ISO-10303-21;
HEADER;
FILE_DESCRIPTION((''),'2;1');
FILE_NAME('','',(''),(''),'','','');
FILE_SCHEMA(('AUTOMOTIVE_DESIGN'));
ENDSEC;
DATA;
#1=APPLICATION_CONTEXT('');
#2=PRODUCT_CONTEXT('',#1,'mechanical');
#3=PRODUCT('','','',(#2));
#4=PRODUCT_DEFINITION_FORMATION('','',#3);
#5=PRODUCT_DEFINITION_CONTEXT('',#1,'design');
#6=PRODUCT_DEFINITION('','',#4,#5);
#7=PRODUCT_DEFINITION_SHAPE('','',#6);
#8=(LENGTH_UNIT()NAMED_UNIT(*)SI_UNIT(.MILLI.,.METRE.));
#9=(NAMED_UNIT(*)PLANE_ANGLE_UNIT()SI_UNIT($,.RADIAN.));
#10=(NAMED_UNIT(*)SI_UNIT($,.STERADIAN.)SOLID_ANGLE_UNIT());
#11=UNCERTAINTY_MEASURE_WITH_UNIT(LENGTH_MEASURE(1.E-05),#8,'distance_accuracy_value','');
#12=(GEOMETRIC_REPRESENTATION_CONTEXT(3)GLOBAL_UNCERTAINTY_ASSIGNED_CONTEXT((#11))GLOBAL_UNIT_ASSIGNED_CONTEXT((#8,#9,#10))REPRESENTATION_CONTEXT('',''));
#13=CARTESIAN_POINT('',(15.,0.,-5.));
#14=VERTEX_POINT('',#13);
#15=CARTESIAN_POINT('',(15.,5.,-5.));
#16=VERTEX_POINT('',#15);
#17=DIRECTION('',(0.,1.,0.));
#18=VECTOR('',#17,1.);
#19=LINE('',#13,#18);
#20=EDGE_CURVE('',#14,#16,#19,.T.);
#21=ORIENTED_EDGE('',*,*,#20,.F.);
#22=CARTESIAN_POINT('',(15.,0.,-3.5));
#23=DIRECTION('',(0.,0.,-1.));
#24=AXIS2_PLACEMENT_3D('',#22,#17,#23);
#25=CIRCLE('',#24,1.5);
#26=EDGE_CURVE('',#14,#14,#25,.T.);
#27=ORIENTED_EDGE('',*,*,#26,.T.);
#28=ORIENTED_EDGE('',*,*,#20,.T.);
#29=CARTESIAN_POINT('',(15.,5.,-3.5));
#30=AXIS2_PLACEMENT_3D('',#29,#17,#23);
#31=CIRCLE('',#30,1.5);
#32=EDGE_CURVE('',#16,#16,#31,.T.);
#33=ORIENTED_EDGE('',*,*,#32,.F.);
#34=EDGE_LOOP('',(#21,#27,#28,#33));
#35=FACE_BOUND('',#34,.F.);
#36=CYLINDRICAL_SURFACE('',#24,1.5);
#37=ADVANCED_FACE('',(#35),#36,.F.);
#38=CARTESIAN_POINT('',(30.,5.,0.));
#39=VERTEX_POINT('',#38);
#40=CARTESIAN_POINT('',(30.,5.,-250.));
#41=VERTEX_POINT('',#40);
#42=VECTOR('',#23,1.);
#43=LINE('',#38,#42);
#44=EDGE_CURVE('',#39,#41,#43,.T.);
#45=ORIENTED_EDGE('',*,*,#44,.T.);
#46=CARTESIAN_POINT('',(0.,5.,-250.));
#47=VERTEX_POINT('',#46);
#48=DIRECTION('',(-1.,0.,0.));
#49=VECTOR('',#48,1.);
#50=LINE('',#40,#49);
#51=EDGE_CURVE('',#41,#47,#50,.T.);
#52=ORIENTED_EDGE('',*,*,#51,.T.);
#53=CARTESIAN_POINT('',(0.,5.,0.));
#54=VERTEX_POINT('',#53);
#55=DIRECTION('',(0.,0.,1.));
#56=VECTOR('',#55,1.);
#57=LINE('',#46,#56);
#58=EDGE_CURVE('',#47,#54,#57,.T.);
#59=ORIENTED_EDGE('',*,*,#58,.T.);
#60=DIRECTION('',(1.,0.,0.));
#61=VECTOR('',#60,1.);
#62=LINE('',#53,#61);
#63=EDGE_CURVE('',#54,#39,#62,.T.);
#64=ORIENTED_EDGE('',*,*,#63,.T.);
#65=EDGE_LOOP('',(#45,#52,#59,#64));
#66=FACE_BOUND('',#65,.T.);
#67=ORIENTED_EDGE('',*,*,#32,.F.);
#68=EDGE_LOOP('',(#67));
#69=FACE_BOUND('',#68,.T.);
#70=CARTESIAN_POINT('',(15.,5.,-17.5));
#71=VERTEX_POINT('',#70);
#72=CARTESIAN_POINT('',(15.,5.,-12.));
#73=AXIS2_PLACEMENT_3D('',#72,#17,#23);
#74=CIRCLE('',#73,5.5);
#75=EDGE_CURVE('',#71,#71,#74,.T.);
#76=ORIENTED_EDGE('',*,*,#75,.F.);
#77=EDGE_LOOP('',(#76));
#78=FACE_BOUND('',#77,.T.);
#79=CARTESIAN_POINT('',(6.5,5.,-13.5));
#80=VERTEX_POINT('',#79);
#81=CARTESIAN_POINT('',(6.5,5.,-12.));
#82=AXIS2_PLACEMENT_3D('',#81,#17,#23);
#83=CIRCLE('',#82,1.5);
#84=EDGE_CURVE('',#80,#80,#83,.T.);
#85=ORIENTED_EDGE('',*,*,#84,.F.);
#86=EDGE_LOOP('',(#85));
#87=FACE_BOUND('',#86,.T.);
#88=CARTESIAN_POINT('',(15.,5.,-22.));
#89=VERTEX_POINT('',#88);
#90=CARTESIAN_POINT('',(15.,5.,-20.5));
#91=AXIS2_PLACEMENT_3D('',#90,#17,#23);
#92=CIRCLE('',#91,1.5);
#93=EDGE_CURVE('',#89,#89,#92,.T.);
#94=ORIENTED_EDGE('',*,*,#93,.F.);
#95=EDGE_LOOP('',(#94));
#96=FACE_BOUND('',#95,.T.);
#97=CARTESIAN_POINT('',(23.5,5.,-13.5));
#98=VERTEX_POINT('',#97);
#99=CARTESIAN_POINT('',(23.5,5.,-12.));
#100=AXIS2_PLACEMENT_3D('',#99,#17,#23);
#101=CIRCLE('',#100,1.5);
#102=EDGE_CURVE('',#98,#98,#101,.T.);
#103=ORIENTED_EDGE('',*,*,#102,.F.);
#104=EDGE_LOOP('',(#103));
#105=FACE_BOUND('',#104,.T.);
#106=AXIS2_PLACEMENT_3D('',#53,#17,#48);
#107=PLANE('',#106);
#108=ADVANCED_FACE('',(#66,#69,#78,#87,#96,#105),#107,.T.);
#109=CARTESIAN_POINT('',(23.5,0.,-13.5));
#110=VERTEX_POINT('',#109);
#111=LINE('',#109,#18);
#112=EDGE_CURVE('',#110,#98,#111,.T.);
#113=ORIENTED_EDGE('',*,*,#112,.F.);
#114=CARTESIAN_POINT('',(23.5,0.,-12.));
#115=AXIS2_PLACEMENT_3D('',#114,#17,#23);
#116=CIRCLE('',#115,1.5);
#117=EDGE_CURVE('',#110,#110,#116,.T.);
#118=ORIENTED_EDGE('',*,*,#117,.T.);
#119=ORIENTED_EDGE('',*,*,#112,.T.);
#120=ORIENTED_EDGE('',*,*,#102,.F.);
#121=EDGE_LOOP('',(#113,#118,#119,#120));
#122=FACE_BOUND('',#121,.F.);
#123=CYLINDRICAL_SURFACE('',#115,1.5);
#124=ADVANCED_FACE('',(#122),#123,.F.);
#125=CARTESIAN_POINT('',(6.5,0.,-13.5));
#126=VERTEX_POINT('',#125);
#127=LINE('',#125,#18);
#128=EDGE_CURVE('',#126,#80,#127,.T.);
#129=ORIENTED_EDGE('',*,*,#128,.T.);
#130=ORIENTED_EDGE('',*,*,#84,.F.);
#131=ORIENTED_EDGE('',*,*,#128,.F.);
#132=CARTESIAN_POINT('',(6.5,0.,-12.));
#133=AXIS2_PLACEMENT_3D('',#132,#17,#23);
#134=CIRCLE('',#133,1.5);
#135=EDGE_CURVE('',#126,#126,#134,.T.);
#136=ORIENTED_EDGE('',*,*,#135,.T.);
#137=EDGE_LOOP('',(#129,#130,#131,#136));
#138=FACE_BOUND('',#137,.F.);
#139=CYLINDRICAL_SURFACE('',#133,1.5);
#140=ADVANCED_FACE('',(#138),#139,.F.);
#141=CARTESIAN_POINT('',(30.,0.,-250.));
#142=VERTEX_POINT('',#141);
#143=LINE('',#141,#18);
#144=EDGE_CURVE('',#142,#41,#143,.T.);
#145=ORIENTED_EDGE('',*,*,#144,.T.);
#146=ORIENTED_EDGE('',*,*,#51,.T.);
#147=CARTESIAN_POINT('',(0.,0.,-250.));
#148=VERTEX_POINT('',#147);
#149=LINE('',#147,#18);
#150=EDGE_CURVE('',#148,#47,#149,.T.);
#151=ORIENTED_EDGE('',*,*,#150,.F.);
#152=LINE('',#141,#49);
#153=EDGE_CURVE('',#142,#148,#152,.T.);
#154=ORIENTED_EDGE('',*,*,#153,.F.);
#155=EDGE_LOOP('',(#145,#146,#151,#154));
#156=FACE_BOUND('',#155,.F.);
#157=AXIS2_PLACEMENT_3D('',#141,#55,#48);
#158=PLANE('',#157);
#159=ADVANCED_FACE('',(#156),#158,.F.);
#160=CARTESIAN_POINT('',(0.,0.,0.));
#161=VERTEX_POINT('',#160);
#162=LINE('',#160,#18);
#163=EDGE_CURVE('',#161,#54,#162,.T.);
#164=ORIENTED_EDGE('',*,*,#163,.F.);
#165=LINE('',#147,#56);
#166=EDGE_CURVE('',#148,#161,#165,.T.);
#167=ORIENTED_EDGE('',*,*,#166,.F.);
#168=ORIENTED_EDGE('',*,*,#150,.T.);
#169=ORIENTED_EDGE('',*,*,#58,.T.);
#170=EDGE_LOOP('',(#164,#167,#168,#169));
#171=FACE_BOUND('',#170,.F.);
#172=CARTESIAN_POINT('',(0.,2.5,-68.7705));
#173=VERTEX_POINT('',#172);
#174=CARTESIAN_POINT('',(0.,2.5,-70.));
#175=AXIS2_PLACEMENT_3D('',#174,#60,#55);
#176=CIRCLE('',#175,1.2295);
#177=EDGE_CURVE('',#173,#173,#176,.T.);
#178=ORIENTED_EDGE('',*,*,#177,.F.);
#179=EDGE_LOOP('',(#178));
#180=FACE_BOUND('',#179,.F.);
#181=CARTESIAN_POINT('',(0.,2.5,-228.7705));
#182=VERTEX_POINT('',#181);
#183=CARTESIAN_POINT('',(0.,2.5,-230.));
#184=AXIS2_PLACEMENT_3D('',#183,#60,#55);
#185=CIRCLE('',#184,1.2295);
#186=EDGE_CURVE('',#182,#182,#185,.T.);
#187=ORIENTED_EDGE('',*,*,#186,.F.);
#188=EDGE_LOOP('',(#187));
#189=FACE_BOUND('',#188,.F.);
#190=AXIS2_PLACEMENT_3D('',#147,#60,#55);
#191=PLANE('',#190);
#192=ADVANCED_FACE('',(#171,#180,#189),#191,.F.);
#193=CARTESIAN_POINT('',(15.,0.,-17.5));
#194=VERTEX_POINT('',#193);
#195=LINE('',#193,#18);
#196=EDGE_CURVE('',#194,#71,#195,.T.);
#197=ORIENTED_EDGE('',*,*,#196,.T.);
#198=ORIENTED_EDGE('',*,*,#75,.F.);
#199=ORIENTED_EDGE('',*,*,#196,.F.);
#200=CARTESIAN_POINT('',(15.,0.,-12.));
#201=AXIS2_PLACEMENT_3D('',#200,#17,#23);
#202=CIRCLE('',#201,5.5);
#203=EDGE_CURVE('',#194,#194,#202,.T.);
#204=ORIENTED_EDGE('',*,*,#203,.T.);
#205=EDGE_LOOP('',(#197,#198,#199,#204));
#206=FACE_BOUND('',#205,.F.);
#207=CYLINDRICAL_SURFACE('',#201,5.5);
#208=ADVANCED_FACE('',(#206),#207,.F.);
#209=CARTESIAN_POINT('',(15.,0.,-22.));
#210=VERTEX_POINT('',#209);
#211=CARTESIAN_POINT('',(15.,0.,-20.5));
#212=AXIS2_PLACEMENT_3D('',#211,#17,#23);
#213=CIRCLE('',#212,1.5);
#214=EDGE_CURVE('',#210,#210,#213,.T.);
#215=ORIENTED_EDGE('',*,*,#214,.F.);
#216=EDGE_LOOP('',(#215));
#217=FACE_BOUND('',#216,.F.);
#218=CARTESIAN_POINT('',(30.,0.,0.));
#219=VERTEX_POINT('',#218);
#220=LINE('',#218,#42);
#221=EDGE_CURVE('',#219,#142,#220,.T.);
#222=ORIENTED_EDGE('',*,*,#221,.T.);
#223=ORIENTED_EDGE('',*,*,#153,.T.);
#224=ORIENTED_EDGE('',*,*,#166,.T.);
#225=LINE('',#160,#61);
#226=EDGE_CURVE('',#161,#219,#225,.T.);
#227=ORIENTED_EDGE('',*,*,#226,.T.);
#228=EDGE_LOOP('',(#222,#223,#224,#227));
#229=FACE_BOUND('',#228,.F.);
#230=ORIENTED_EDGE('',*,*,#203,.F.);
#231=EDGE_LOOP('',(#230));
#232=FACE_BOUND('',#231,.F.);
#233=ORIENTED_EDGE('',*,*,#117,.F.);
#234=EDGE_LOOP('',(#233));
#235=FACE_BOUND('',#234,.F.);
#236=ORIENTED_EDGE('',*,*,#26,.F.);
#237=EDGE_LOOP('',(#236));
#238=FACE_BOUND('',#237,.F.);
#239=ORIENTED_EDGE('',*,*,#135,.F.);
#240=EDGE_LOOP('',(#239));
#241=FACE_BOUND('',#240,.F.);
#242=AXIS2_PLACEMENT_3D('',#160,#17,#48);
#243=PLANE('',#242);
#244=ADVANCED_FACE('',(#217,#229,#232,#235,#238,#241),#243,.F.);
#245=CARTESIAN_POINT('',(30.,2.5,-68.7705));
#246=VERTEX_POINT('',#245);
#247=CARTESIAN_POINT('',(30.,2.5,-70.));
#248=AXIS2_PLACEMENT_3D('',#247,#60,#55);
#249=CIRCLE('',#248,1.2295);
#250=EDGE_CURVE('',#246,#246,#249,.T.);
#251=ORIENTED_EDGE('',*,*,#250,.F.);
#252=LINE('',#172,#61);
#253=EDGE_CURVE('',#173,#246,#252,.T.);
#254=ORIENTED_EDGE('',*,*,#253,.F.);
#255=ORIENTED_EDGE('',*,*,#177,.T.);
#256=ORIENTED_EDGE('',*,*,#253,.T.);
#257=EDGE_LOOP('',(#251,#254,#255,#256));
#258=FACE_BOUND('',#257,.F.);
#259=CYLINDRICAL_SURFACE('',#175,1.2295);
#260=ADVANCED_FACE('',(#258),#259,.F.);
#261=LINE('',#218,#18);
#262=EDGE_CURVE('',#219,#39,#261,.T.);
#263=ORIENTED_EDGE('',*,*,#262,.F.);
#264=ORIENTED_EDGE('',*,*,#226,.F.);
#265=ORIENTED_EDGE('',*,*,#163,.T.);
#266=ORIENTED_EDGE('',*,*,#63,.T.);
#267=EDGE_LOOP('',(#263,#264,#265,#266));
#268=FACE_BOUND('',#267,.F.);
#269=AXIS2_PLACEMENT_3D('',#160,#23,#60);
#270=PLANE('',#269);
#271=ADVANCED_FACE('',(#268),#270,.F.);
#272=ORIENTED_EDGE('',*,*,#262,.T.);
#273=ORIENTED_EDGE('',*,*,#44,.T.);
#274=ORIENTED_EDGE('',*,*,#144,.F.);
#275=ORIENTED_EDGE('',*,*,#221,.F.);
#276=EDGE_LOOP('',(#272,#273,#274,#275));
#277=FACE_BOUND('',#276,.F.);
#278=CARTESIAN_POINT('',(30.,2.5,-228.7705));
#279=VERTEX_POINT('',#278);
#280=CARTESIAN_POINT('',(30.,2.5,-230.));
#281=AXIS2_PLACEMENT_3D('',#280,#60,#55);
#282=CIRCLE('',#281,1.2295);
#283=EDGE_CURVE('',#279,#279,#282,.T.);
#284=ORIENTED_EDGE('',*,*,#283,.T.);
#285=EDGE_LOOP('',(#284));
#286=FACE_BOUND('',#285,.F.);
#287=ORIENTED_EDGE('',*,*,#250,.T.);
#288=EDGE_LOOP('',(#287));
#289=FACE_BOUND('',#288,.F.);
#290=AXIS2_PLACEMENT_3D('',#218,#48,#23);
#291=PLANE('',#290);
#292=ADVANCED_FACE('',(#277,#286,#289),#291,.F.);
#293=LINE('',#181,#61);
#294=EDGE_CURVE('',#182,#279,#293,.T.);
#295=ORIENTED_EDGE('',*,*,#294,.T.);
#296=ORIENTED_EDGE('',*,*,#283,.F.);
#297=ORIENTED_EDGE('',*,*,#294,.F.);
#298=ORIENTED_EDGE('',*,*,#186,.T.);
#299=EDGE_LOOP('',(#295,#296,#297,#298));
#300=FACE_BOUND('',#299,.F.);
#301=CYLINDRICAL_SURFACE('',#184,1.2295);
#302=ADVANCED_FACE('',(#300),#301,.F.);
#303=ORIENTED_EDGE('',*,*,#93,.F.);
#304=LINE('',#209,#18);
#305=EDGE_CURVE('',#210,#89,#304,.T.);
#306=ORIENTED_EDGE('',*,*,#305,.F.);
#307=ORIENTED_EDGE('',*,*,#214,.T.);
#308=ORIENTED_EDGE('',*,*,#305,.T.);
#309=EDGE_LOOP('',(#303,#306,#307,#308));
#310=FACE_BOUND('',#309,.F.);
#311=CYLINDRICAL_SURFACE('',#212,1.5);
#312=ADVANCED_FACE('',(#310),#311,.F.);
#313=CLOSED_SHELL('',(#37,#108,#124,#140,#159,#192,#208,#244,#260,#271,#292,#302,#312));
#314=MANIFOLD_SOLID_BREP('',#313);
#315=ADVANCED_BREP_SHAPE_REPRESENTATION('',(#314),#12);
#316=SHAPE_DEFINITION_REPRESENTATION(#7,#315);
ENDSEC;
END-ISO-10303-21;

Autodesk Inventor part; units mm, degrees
ref_plane "YZ Plane" through (0, 0, 0) normal (1, 0, 0) x (0, 1, 0)
ref_plane "XZ Plane" through (0, 0, 0) normal (0, 1, 0) x (-1, 0, 0)
ref_plane "XY Plane" through (0, 0, 0) normal (0, 0, 1) x (1, 0, 0)
sketch "スケッチ1" plane through (0, 0, 0) normal (0, 1, 0) x (-1, 0, 0)
  line L0 (0, 0) -> (-30, 0)
  line L1 (-30, 0) -> (-30, -250)
  line L2 (-30, -250) -> (0, -250)
  line L3 (0, -250) -> (0, 0)
  point P0 (-15, -12)
  dimension "d0" = 250
  dimension "d1" = 30
  dimension "d4" = 15
  dimension "d5" = 12
extrude "押し出し1" add sketch "スケッチ1" along normal blind 5
sketch "スケッチ2" plane through (0, 0, 0) normal (0, -1, 0) x (1, 0, 0)
  line L0 (0, -250) -> (0, 0) projected
  line L1 (0, 0) -> (30, 0) projected
  point P0 (15, -12)
  dimension "d6" = 15
  dimension "d7" = 12
hole "穴1" at (15, 0, -12) direction (0, 1, 0) diameter 11 end through all
sketch "スケッチ3" plane through (0, 0, 0) normal (0, -1, 0) x (1, 0, 0)
  line L0 (0, 0) -> (30, 0)
  circle A0 centre (15, -12) radius 4
  point P0 (23.5, -12)
  point P1 (15, -3.5)
  point P2 (6.5, -12)
  point P3 (15, -20.5)
  dimension "d17" = 360
hole "穴2" at (23.5, 0, -12) at (15, 0, -3.5) at (6.5, 0, -12) at (15, 0, -20.5) direction (0, 1, 0) diameter 3 end through all
sketch "スケッチ4" plane through (0, 0, -250) normal (-1, 0, 0) x (0, 0, 1)
  line L0 (0, 5) -> (250, 5) projected
  line L1 (0, 0) -> (0, 5) projected
  point P0 (250, 0)
  point P1 (180, 2.5)
  point P2 (20, 2.5)
  dimension "d25" = 2.5
  dimension "d26" = 180
  dimension "d27" = 20
hole "穴3" at (0, 2.5, -70) at (0, 2.5, -230) direction (1, 0, 0) diameter 2.459 end through all thread size "M3x0.5" class "6H" standard "ANSI Metric M Profile"
properties part number "横長3rdフラットバー" material "アルミニウム 6061"
